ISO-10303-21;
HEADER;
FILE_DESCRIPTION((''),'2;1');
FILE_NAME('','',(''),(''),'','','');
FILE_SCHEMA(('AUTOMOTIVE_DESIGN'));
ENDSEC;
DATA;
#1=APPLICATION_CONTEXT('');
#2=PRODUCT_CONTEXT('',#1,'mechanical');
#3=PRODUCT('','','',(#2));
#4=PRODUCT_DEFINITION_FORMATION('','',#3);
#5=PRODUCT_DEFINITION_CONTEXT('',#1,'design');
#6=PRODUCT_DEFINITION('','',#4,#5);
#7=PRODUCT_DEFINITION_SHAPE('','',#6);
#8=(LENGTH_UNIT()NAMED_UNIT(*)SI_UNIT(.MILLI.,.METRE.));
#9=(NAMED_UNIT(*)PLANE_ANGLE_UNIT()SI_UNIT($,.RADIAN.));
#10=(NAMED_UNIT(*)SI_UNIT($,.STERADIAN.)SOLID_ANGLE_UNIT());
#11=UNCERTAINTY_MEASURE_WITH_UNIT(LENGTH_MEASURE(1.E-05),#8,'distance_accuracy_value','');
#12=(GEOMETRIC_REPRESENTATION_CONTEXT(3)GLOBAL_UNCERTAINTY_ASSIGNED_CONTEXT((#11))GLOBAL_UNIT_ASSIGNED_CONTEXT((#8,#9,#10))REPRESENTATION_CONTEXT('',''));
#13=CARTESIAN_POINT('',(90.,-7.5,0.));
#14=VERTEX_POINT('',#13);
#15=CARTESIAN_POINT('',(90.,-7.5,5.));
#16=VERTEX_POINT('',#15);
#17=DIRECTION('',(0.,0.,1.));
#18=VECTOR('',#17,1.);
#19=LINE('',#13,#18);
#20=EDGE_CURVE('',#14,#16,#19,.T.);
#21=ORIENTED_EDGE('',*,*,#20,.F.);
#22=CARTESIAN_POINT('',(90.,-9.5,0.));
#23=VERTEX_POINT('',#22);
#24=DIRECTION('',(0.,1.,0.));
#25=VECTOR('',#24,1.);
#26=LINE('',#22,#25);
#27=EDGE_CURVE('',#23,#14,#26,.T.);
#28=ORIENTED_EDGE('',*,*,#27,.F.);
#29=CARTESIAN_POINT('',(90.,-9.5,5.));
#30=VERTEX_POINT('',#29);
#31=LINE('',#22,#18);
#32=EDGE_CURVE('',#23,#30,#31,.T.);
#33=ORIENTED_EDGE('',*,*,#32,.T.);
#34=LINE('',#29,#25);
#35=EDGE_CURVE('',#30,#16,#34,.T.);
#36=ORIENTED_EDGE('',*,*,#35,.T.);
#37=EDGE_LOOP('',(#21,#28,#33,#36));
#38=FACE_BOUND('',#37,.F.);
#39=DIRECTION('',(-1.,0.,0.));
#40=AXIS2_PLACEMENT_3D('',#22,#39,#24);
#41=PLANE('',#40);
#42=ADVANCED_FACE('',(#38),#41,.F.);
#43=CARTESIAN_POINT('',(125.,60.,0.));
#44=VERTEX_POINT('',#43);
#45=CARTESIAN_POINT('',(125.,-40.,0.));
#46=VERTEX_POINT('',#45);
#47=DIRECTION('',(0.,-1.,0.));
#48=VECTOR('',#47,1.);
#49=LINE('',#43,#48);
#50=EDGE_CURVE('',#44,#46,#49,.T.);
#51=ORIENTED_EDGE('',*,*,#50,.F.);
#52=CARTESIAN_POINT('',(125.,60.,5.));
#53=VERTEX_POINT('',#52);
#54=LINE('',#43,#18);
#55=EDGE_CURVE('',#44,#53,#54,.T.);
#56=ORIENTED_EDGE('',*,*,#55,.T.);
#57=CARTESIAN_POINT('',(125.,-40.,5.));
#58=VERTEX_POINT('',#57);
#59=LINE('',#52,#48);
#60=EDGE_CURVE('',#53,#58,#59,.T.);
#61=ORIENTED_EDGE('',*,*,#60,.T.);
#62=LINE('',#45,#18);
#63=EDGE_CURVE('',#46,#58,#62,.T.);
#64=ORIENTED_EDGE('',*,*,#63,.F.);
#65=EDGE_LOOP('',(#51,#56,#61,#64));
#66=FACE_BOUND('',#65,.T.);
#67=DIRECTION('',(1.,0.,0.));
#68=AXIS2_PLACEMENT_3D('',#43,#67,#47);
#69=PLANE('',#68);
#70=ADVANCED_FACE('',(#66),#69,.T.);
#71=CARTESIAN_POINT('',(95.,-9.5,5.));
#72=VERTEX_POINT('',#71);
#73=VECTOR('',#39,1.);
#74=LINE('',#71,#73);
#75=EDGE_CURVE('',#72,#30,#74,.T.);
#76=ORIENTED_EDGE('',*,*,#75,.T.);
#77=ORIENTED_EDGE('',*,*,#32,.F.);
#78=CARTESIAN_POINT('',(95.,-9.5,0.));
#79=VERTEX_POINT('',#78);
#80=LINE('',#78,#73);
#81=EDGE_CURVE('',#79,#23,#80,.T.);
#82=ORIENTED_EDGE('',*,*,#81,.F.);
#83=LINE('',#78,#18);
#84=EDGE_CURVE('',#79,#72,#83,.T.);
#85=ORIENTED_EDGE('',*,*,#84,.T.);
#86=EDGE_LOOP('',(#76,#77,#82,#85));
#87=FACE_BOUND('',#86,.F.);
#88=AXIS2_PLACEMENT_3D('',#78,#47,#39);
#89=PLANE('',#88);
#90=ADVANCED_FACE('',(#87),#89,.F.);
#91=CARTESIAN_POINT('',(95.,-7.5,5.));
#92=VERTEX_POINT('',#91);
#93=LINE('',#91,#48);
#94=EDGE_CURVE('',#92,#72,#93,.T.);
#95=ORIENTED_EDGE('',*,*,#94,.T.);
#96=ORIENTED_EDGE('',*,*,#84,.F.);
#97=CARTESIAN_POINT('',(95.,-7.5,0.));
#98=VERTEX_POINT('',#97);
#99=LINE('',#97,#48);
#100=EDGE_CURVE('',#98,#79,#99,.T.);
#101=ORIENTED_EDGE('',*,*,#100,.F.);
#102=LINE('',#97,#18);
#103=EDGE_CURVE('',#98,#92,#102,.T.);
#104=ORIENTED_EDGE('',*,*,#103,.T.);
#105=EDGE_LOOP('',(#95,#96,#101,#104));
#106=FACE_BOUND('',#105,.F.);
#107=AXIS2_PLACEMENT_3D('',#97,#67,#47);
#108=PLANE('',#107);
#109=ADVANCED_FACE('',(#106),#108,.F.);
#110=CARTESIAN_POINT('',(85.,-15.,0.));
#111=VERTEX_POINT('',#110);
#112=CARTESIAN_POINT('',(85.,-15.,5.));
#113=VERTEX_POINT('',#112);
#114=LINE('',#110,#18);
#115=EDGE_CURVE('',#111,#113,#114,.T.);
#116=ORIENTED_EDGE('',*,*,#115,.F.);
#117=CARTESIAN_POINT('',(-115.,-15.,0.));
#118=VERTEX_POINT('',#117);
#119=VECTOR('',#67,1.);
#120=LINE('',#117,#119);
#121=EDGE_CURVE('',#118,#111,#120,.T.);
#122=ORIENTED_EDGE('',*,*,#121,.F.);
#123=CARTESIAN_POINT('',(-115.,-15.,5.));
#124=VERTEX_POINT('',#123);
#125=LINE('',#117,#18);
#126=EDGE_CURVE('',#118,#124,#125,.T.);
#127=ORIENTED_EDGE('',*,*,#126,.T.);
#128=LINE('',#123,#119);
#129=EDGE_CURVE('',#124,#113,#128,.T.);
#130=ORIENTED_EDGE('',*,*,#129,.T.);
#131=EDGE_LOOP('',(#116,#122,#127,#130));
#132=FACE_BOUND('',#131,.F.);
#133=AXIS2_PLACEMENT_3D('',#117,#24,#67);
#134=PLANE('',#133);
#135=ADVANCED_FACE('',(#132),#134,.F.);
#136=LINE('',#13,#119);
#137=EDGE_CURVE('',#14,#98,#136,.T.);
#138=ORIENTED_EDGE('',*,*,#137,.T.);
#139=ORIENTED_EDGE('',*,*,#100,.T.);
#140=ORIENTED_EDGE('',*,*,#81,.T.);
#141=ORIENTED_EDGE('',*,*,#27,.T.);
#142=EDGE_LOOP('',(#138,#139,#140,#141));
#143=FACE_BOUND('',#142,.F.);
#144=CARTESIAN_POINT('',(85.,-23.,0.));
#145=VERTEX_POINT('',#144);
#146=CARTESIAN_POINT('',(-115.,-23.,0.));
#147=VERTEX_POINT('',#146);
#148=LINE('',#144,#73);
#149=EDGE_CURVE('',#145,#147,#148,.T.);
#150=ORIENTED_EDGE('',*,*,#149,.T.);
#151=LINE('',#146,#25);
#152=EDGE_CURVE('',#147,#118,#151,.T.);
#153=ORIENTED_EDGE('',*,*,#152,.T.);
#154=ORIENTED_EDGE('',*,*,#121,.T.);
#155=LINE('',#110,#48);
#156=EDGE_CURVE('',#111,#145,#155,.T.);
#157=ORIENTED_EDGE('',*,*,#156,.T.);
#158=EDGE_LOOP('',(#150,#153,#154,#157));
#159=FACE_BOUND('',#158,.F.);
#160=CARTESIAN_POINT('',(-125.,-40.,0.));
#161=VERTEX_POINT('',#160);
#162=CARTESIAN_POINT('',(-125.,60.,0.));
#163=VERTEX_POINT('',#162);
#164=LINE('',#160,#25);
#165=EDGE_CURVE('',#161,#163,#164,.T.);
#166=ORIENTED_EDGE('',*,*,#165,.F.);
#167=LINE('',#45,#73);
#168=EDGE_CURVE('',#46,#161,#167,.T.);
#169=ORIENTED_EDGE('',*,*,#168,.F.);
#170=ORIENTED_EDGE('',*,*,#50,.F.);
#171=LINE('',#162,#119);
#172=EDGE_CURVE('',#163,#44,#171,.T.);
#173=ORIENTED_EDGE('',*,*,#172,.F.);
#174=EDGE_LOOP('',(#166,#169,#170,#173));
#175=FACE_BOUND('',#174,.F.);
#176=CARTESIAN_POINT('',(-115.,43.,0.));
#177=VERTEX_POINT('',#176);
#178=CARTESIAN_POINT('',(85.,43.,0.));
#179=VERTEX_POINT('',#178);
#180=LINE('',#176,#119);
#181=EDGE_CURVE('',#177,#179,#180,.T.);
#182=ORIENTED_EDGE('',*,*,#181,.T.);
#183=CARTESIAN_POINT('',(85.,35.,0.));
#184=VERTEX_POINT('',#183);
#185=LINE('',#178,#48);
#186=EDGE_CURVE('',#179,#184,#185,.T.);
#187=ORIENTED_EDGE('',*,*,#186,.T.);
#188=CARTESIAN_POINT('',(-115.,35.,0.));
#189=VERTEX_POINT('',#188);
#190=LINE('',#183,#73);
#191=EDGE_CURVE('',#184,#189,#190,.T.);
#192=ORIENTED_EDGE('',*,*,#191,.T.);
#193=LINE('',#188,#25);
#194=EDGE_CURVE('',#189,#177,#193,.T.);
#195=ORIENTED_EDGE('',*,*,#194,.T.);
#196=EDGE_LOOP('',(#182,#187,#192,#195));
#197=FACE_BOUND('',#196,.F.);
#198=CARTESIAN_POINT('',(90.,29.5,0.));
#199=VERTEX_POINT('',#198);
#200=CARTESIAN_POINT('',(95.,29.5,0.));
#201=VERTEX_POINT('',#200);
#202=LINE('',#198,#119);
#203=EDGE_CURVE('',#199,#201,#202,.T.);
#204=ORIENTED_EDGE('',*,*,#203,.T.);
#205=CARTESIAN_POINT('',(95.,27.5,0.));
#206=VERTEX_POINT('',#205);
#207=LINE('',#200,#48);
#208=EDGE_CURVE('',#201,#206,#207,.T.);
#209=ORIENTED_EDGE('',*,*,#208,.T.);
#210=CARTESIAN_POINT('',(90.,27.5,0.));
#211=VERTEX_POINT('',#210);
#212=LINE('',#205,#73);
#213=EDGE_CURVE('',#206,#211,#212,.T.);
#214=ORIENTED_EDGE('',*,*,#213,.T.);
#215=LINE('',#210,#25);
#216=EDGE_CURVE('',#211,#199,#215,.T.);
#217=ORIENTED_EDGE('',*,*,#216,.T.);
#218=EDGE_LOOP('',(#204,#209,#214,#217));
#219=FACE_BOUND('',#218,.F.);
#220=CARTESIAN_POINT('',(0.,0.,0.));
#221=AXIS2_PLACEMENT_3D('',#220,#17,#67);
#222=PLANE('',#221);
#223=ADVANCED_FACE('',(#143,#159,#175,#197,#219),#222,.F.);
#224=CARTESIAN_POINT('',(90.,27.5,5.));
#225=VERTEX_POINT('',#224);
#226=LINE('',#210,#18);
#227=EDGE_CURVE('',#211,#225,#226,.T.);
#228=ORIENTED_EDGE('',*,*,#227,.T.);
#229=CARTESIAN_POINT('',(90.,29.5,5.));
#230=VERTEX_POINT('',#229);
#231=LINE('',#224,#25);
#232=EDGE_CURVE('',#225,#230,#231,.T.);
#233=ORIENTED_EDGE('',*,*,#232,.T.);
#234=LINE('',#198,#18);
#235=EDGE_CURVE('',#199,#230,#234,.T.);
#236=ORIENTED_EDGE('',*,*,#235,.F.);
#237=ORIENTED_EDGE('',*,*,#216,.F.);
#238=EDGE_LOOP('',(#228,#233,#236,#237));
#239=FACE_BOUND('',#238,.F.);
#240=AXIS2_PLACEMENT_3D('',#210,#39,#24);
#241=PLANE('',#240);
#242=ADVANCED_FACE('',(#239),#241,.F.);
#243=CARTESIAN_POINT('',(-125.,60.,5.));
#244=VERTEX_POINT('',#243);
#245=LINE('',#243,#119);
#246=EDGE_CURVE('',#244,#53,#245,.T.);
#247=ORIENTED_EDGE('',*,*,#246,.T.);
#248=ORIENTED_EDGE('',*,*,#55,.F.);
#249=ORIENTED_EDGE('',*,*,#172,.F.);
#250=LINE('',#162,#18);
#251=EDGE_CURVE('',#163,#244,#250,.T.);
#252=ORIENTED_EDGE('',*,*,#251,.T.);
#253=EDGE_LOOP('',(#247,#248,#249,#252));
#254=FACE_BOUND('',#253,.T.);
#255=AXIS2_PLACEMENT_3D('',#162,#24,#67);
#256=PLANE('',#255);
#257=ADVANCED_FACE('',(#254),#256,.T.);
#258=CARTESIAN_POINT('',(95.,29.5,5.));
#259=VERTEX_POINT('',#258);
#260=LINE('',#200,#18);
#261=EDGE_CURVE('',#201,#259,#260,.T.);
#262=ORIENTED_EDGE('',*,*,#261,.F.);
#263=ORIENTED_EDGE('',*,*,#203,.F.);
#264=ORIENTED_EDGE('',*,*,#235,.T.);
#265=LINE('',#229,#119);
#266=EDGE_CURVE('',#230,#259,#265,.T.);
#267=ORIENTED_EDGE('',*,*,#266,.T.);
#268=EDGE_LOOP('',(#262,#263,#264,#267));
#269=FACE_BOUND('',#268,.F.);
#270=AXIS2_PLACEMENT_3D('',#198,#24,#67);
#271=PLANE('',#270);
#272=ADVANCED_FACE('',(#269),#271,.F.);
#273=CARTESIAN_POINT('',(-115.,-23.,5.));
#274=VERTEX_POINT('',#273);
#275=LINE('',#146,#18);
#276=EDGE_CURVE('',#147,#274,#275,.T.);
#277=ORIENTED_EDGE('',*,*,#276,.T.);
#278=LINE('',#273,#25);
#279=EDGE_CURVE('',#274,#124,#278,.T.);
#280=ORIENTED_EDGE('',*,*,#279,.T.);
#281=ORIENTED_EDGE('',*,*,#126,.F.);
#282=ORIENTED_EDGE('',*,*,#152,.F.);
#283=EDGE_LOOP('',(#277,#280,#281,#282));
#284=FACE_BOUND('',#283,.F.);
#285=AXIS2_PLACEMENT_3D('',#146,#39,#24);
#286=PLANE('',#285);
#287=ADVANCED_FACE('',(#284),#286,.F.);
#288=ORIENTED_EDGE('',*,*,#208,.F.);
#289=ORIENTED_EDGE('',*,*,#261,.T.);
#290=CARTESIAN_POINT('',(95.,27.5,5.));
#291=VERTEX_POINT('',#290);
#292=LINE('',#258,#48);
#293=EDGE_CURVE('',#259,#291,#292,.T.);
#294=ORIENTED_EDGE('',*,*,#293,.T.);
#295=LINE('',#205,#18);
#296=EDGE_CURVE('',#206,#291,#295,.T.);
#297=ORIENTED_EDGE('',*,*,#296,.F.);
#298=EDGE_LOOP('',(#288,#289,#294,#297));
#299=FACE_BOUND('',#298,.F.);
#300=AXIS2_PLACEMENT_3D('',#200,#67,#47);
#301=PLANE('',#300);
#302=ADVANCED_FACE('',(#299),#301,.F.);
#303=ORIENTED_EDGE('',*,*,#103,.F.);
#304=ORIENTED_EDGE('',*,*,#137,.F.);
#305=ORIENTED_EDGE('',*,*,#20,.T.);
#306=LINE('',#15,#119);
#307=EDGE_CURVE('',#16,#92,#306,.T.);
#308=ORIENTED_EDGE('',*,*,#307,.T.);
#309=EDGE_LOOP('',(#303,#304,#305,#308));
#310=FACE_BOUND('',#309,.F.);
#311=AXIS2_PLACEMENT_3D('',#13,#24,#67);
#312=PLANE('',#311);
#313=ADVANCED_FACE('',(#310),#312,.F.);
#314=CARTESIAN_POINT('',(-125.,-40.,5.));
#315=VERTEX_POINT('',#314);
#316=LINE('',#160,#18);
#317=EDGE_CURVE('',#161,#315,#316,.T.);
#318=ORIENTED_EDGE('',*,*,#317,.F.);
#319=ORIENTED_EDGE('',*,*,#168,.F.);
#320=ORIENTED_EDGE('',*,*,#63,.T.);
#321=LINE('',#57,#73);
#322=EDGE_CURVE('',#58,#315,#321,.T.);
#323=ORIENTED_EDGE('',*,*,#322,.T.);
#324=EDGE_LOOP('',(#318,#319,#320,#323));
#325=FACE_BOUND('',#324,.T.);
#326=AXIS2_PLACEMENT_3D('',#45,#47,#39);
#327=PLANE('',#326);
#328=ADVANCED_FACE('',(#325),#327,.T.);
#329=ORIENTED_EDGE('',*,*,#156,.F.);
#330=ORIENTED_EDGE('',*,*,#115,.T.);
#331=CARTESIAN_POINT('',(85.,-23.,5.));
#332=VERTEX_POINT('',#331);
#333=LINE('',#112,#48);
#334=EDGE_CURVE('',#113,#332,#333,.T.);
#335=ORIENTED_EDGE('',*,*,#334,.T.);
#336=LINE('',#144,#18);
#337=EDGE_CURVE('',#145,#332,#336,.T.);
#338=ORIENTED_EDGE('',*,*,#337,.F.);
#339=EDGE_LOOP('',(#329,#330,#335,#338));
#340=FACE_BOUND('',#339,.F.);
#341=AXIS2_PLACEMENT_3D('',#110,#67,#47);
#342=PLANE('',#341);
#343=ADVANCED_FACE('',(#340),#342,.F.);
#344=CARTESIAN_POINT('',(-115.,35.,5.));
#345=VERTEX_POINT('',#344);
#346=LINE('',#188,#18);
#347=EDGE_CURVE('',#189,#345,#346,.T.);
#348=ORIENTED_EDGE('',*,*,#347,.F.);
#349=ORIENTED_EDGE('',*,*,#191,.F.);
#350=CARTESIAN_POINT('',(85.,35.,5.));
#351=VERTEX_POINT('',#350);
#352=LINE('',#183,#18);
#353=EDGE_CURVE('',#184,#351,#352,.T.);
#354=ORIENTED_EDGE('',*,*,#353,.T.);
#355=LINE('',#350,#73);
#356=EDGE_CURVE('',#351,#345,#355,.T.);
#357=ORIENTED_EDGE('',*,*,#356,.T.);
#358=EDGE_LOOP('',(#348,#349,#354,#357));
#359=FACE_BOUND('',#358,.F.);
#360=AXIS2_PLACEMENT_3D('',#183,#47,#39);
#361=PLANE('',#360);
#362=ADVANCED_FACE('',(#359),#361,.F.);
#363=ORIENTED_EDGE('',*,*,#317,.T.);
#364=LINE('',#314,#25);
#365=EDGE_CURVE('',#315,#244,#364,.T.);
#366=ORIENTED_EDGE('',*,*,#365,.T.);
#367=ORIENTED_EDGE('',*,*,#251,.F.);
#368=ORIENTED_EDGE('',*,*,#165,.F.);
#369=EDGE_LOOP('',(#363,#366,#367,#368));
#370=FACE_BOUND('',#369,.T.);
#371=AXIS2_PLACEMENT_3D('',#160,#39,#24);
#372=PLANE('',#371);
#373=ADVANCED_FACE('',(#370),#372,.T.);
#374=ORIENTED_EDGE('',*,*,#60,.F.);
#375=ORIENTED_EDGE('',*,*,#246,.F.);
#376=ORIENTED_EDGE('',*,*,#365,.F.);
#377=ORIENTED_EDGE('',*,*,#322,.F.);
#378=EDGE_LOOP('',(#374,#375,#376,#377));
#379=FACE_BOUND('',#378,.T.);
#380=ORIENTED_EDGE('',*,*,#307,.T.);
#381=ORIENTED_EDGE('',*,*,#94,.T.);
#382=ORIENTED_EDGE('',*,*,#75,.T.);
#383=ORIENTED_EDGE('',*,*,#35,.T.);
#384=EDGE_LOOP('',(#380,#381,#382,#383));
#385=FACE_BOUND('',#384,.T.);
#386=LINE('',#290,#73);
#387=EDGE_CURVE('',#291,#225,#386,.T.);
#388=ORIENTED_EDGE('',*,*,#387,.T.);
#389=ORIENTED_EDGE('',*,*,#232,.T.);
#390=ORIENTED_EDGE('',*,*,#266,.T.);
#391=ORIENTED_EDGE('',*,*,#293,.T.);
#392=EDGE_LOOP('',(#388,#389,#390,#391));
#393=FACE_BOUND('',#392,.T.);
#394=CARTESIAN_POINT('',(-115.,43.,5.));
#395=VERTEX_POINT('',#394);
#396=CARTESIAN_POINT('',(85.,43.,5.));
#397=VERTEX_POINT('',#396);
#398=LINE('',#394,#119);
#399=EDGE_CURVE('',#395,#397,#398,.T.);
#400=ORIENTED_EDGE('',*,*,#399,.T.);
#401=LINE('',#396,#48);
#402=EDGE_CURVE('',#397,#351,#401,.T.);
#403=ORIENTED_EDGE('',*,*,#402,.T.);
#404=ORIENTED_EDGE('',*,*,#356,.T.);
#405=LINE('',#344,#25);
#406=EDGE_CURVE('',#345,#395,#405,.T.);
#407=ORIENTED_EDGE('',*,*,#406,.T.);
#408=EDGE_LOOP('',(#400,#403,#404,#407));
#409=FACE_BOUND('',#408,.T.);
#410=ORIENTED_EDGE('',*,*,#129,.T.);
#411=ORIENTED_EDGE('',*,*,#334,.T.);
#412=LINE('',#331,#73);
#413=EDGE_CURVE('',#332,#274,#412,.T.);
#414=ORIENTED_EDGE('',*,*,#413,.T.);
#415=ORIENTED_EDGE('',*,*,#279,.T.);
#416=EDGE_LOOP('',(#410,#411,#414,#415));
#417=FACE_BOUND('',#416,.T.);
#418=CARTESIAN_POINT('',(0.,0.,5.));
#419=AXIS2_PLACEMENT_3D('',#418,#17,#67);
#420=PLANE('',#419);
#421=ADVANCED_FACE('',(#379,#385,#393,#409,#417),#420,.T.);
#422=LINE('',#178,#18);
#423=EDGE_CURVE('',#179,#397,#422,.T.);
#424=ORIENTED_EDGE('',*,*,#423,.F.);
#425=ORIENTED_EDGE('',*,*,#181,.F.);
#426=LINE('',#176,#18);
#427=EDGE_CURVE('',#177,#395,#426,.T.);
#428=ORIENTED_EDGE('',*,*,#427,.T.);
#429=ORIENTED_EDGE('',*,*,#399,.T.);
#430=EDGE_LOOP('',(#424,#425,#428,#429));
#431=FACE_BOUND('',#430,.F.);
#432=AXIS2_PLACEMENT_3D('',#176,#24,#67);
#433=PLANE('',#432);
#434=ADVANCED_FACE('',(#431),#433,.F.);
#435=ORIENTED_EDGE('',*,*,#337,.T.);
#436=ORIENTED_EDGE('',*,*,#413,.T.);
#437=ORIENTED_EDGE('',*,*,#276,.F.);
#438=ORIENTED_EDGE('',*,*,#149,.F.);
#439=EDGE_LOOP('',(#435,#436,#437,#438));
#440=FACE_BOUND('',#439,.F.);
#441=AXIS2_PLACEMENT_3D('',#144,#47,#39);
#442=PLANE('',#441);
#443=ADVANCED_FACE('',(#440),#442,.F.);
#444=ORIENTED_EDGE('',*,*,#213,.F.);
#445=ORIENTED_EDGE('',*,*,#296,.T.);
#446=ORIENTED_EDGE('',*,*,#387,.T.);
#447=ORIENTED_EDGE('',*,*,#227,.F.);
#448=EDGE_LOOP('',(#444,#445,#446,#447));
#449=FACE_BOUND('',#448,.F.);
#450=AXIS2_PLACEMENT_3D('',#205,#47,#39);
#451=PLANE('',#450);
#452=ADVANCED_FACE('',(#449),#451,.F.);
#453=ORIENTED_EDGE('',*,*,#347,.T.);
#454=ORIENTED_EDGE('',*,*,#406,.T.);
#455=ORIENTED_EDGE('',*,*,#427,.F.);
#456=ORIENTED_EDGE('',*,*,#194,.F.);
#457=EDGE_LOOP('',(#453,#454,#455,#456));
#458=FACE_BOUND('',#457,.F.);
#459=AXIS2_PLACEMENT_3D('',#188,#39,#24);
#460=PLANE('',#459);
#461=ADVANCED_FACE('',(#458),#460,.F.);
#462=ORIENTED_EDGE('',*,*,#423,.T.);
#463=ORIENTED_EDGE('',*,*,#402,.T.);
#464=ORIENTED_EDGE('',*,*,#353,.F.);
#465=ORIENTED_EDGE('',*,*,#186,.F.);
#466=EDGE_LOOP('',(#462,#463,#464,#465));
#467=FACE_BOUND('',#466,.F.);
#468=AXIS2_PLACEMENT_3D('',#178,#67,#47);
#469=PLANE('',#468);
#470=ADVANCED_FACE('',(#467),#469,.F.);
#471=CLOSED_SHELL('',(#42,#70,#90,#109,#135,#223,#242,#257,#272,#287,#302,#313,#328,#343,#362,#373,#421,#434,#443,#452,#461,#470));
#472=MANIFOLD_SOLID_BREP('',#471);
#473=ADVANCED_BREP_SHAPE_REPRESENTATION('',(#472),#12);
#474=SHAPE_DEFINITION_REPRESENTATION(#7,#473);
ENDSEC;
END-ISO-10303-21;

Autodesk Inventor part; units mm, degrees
ref_plane "YZ Plane" through (0, 0, 0) normal (1, 0, 0) x (0, 1, 0)
ref_plane "XZ Plane" through (0, 0, 0) normal (0, 1, 0) x (-1, 0, 0)
ref_plane "XY Plane" through (0, 0, 0) normal (0, 0, 1) x (1, 0, 0)
sketch "Sketch1" plane through (0, 0, 0) normal (0, 0, 1) x (1, 0, 0)
  line L0 (-125, 60) -> (125, 60)
  line L1 (125, 60) -> (125, -40)
  line L2 (125, -40) -> (-125, -40)
  line L3 (-125, -40) -> (-125, 60)
  line L4 (-115, -15) -> (85, -15)
  line L5 (85, -15) -> (85, -23)
  line L6 (85, -23) -> (-115, -23)
  line L7 (-115, -23) -> (-115, -15)
  line L8 (-115, 43) -> (85, 43)
  line L9 (85, 43) -> (85, 35)
  line L10 (85, 35) -> (-115, 35)
  line L11 (-115, 35) -> (-115, 43)
  line L12 (90, 29.5) -> (95, 29.5)
  line L13 (95, 29.5) -> (95, 27.5)
  line L14 (95, 27.5) -> (90, 27.5)
  line L15 (90, 27.5) -> (90, 29.5)
  line L16 (90, -7.5) -> (95, -7.5)
  line L17 (95, -7.5) -> (95, -9.5)
  line L18 (95, -9.5) -> (90, -9.5)
  line L19 (90, -9.5) -> (90, -7.5)
  point P0 (0, 0)
  point P1 (-115, 39)
  point P2 (92.5, -7.5)
  point P3 (92.5, 27.5)
  point P4 (92.5, -9.5)
  point P5 (95, 28.5)
  dimension "d0" = 250
  dimension "d1" = 100
  dimension "d2" = 125
  dimension "d3" = 60
  dimension "d4" = 200
  dimension "d5" = 8
  dimension "d6" = 8
  dimension "d7" = 50
  dimension "d8" = 17
  dimension "d9" = 10
  dimension "d10" = 5
  dimension "d11" = 2
  dimension "d12" = 2
  dimension "d13" = 35
  dimension "d14" = 30.5
  dimension "d15" = 30
extrude "Extrusion1" add sketch "Sketch1" along normal blind 5
properties part number "Team29_BoxLid"
